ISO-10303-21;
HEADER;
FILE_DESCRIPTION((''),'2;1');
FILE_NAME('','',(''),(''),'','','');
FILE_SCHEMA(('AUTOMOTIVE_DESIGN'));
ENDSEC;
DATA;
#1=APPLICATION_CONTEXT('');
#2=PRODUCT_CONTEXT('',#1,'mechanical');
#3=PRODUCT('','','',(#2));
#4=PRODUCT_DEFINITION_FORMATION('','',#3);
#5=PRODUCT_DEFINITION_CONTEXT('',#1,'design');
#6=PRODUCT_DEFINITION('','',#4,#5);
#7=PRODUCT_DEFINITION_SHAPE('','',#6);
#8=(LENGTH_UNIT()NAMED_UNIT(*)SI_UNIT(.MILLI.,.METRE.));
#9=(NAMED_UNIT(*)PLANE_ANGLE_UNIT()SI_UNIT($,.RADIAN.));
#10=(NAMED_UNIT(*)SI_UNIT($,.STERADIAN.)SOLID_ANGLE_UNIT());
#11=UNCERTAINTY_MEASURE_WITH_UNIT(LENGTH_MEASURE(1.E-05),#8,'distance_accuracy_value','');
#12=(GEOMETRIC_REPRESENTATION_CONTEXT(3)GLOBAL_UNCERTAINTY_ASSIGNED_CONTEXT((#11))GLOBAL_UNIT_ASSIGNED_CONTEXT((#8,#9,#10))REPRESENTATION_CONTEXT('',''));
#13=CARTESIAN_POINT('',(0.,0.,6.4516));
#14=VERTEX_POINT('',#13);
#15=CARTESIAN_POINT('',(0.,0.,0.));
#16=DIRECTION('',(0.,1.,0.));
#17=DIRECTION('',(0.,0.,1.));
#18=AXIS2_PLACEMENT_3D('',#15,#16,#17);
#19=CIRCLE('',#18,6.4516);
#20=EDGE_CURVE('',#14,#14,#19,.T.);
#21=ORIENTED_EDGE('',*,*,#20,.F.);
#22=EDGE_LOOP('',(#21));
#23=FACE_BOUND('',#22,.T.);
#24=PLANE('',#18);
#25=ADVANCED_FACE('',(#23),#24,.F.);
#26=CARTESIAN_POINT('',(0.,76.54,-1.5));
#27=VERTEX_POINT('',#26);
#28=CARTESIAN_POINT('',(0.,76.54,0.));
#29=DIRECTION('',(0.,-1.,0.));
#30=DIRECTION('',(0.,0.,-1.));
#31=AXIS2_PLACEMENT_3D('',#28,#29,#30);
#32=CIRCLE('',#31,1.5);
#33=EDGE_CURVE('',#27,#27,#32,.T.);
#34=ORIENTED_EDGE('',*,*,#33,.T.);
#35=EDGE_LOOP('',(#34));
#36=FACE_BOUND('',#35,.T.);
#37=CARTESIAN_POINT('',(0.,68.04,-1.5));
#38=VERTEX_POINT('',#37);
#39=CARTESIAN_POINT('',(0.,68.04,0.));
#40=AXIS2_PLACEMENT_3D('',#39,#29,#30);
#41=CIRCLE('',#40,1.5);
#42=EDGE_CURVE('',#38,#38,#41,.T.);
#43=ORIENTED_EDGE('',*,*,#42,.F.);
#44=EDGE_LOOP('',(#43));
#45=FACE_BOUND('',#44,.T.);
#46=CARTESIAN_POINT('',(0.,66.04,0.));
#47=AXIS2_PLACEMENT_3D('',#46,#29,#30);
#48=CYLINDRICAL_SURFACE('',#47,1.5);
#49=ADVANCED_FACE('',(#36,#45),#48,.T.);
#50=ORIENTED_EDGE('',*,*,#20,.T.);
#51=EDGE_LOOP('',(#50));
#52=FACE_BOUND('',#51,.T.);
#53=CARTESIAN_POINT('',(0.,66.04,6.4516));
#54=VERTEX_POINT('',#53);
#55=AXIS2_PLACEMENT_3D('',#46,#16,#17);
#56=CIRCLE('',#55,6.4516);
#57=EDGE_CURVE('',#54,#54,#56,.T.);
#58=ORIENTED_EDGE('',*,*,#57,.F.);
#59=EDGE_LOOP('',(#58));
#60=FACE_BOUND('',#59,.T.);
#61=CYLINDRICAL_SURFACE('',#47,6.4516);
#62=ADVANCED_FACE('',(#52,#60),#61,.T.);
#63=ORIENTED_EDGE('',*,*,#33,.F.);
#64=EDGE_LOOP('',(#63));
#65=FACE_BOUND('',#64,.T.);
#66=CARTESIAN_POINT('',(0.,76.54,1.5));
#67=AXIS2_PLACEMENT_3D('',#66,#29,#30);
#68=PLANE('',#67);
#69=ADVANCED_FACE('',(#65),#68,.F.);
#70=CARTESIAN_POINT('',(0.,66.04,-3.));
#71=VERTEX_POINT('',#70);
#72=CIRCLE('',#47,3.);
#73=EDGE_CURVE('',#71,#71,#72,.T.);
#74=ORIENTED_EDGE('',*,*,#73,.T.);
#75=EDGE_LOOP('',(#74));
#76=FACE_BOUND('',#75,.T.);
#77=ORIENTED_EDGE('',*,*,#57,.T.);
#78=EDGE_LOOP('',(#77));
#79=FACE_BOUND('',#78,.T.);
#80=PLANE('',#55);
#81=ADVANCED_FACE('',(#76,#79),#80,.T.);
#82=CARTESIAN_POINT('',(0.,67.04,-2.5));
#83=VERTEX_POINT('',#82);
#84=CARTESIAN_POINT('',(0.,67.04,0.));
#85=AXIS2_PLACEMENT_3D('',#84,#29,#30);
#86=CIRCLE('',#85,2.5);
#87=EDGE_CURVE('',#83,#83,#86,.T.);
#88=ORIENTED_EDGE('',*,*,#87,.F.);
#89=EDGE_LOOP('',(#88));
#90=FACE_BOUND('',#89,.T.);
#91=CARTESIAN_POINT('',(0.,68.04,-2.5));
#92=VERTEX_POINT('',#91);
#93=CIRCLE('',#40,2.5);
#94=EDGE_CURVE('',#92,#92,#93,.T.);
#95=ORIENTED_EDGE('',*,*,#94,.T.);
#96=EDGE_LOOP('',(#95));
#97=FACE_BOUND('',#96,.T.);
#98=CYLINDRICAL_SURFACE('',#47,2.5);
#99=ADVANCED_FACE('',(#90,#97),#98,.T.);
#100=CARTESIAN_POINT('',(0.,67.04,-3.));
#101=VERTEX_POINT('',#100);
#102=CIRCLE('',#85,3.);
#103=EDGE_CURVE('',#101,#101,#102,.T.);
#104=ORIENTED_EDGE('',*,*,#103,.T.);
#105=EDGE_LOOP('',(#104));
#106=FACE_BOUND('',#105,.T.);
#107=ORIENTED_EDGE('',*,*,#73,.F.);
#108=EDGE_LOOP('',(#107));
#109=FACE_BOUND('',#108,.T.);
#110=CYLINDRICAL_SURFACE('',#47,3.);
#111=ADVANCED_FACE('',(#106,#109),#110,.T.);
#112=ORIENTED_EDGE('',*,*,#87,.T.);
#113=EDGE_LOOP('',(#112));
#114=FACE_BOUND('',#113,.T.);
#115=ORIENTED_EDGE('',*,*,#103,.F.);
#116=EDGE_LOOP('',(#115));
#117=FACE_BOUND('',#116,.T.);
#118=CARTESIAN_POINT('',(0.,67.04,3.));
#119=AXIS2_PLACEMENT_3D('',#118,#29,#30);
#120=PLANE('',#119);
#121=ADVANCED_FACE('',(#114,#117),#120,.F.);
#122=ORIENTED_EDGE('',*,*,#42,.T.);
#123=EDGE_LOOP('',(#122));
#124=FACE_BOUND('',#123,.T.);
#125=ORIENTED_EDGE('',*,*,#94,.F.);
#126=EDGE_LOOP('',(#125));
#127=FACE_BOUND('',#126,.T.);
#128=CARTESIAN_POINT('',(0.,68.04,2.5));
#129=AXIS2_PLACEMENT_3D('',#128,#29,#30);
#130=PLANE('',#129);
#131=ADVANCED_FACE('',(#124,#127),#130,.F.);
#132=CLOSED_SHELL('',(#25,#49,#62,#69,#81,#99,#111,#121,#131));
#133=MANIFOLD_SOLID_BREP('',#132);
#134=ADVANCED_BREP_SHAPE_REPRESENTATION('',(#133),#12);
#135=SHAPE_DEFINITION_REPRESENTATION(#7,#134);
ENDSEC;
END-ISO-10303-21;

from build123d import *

# Parameters (mm, degrees)
SKETCH1_R           = 6.4516
BOSS_EXTRUDE1_DEPTH = 66.04


with BuildPart() as part:
    # Sketch1 → Boss-Extrude1 (new body)
    with BuildSketch(Plane(origin=(0, 0, 0), x_dir=(1, 0, 0), z_dir=(0, 1, 0))):
        with Locations(Location((0, 0, 0), (0, 0, 270))):
            Circle(SKETCH1_R)
    extrude(amount=BOSS_EXTRUDE1_DEPTH)

    # Sketch2 → Revolve1 (revolve)
    with BuildSketch(Plane(origin=(0, 0, 0), x_dir=(0, 0, -1), z_dir=(1, 0, 0)), mode=Mode.PRIVATE) as revolve1_sk:
        Polygon((0, 66.04), (0, 76.54), (-1.5, 76.54), (-1.5, 68.04), (-2.5, 68.04), (-2.5, 67.04), (-3, 67.04), (-3, 66.04), align=None)
    revolve(revolve1_sk.sketch.rotate(Axis((0, 66.04, 0), (0, 1, 0)), 180), axis=Axis((0, 66.04, 0), (0, 1, 0)))


solid = part.part
